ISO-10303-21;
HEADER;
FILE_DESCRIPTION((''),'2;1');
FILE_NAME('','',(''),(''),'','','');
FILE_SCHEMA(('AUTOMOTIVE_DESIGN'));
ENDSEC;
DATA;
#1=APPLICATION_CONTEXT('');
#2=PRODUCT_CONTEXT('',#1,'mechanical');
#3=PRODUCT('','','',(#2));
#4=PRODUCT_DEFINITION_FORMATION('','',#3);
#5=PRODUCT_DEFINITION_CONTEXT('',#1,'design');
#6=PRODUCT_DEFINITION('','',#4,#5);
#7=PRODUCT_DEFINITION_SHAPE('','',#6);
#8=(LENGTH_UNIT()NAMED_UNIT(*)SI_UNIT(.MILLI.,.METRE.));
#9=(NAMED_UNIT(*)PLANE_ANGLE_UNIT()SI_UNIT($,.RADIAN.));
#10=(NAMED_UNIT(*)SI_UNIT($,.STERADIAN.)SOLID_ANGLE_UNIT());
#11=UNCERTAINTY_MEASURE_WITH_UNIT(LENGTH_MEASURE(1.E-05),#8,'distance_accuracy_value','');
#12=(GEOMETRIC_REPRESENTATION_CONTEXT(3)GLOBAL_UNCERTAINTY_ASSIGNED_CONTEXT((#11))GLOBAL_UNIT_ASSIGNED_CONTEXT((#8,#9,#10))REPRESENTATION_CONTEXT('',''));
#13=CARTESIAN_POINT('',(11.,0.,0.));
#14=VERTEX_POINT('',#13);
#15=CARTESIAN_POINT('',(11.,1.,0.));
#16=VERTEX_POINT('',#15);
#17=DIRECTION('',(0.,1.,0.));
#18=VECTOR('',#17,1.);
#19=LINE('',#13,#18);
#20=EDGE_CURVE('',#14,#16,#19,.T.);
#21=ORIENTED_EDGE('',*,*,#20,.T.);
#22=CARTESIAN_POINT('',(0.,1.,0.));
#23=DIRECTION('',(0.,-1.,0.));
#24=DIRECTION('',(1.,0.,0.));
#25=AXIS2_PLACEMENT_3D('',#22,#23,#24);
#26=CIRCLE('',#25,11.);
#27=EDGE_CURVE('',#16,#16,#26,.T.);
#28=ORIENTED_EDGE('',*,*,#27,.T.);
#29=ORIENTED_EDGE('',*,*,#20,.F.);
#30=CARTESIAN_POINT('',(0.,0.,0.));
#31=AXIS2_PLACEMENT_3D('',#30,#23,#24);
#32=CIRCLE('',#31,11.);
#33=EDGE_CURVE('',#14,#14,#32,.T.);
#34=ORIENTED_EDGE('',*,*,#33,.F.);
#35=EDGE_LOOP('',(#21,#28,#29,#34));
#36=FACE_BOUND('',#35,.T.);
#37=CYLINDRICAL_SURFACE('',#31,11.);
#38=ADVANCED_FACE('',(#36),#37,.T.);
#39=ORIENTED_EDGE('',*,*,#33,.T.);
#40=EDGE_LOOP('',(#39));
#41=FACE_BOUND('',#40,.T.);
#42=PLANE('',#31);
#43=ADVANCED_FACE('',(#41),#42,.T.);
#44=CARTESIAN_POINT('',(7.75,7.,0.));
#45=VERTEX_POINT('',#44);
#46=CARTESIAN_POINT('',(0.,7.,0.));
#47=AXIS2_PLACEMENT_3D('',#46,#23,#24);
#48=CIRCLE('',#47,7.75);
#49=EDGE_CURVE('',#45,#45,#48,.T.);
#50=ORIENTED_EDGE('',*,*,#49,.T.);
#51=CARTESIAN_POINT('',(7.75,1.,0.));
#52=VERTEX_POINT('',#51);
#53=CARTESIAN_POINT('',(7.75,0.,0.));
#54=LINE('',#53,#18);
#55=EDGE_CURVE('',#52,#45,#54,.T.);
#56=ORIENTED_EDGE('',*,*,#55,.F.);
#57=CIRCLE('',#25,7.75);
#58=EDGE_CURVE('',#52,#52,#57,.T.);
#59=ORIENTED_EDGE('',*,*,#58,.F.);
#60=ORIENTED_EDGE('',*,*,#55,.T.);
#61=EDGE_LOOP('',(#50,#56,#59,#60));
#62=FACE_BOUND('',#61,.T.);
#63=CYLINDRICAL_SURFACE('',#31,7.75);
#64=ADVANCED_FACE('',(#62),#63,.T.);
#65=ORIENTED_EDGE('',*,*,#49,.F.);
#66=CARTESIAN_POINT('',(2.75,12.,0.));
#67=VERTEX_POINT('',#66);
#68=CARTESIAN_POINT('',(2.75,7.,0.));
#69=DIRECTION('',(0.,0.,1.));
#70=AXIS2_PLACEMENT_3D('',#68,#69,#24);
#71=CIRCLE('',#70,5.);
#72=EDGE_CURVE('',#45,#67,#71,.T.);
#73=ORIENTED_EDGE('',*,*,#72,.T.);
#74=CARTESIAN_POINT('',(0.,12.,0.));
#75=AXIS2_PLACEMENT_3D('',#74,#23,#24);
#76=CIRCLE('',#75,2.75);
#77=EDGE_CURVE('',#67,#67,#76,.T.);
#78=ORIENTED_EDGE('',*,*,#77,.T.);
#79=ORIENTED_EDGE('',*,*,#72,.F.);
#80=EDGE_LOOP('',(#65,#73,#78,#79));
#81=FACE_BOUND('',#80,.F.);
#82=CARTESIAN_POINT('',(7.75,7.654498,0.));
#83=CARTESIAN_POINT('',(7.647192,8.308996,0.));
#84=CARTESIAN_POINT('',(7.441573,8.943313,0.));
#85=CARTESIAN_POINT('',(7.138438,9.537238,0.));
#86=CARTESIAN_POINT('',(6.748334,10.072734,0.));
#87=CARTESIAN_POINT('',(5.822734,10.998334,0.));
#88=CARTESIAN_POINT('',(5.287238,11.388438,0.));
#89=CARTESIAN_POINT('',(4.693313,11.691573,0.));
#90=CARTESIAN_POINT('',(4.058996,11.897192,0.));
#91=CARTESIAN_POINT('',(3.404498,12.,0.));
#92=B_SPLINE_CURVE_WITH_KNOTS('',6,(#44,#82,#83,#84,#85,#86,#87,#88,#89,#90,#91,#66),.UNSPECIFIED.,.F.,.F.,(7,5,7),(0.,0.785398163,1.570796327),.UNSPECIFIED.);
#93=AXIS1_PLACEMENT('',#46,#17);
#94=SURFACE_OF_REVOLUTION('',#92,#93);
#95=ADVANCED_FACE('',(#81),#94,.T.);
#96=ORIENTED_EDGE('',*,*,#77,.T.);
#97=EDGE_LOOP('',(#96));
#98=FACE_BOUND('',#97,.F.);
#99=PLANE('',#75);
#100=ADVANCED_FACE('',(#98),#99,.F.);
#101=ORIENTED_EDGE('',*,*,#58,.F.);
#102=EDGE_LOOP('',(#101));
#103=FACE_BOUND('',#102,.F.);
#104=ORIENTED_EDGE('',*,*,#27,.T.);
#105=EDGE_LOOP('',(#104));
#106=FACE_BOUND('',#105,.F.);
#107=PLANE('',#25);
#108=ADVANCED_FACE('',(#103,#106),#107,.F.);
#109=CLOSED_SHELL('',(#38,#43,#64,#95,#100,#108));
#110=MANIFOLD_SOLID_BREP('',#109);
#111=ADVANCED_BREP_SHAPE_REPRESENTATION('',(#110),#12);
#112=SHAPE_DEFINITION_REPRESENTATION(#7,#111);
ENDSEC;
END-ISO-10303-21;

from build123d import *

# Parameters (mm, degrees)
F0_R     = 7.75
F1_DEPTH = 12
F0_R_2   = 11
F2_DEPTH = 1
F3_R     = 5


with BuildPart() as f1:
    # F0 (on Front) → F1 (new body)
    with BuildSketch(Plane.XZ):
        Circle(F0_R)
    extrude(amount=-F1_DEPTH)

    # F0 (on Front) → F2 (join)
    with BuildSketch(Plane.XZ):
        Circle(F0_R_2)
        Circle(F0_R, mode=Mode.SUBTRACT)
    extrude(amount=-F2_DEPTH)

    # F3
    f3_edges = [f1.edges().sort_by_distance(p)[0] for p in [
        (-7.75, 12, 0),
    ]]
    fillet(f3_edges, radius=F3_R)


solid = f1.part
